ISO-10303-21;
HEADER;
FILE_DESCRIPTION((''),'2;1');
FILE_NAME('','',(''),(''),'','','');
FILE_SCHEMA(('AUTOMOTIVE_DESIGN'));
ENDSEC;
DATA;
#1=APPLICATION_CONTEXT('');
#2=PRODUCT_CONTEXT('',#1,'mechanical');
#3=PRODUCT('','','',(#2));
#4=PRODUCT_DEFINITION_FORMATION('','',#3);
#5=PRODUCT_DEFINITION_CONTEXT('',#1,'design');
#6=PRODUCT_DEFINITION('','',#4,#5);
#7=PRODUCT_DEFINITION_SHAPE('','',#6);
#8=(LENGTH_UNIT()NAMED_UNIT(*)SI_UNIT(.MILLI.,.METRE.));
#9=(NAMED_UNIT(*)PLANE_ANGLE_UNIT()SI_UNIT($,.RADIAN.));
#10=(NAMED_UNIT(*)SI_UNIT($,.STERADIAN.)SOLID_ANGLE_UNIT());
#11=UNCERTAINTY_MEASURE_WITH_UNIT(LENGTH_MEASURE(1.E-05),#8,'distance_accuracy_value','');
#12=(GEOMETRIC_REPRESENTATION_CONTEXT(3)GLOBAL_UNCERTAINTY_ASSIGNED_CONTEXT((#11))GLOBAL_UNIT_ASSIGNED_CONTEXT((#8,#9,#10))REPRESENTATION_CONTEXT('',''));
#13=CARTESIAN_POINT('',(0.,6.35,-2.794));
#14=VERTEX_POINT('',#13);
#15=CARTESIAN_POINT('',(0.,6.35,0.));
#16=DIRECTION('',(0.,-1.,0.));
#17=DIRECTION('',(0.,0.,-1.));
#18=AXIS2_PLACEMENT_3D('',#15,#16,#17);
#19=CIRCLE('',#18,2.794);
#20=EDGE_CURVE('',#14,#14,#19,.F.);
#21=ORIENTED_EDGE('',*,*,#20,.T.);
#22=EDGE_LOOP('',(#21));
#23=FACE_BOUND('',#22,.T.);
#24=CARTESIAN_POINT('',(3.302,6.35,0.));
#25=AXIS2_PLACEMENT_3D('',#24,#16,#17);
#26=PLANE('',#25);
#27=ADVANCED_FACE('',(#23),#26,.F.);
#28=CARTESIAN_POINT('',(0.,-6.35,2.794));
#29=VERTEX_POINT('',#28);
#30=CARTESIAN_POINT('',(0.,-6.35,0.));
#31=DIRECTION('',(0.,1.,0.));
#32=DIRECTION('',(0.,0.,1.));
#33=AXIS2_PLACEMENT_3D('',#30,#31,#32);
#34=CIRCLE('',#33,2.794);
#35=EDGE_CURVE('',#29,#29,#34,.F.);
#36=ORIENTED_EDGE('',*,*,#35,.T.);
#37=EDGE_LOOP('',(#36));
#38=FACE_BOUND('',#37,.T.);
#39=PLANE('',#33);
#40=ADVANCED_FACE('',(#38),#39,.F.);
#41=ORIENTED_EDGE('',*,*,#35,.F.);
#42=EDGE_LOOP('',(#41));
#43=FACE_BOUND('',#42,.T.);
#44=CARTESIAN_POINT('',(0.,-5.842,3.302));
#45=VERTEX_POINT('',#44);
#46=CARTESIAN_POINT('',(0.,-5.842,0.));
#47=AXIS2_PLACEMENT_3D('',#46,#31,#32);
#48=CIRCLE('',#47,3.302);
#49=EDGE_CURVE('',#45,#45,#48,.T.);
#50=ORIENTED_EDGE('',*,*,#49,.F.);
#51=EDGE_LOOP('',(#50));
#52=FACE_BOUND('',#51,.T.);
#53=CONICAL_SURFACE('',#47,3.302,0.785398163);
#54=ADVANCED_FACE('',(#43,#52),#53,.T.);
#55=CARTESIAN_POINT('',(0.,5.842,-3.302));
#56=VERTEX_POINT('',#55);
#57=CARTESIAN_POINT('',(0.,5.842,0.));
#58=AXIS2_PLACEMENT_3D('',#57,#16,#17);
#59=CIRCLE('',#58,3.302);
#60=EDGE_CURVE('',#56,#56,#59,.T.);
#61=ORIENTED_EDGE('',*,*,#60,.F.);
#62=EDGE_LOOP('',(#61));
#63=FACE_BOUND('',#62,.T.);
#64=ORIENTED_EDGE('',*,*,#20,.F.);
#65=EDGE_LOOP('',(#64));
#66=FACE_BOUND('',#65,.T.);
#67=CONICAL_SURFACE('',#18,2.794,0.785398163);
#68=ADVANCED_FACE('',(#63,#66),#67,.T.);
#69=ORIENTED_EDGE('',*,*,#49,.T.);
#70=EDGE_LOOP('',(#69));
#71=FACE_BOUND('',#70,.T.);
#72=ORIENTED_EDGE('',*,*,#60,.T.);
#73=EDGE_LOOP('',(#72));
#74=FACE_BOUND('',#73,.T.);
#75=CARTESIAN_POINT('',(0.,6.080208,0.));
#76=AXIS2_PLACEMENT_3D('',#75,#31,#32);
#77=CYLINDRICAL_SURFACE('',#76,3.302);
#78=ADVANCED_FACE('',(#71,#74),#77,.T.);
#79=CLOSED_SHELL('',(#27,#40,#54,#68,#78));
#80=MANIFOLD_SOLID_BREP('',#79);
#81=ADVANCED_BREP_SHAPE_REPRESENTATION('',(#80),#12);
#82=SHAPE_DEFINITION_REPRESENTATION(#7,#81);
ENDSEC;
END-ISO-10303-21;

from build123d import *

# Parameters (mm, degrees)
SKETCH1_W     = 3.302
SKETCH1_H     = 12.7
CHAMFER1_SIZE = 0.508


with BuildPart() as part:
    # Sketch1 → Revolve1 (revolve)
    with BuildSketch(Plane.XY):
        with Locations((1.651, 0)):
            Rectangle(SKETCH1_W, SKETCH1_H)
    revolve(axis=Axis((0, 6.080207887, 0), (0, -1, 0)))

    # Chamfer1
    chamfer1_edges = [part.edges().sort_by_distance(p)[0] for p in [
        (-3.302, 6.35, 0),
        (-3.302, -6.35, 0),
    ]]
    chamfer(chamfer1_edges, length=CHAMFER1_SIZE)


solid = part.part
